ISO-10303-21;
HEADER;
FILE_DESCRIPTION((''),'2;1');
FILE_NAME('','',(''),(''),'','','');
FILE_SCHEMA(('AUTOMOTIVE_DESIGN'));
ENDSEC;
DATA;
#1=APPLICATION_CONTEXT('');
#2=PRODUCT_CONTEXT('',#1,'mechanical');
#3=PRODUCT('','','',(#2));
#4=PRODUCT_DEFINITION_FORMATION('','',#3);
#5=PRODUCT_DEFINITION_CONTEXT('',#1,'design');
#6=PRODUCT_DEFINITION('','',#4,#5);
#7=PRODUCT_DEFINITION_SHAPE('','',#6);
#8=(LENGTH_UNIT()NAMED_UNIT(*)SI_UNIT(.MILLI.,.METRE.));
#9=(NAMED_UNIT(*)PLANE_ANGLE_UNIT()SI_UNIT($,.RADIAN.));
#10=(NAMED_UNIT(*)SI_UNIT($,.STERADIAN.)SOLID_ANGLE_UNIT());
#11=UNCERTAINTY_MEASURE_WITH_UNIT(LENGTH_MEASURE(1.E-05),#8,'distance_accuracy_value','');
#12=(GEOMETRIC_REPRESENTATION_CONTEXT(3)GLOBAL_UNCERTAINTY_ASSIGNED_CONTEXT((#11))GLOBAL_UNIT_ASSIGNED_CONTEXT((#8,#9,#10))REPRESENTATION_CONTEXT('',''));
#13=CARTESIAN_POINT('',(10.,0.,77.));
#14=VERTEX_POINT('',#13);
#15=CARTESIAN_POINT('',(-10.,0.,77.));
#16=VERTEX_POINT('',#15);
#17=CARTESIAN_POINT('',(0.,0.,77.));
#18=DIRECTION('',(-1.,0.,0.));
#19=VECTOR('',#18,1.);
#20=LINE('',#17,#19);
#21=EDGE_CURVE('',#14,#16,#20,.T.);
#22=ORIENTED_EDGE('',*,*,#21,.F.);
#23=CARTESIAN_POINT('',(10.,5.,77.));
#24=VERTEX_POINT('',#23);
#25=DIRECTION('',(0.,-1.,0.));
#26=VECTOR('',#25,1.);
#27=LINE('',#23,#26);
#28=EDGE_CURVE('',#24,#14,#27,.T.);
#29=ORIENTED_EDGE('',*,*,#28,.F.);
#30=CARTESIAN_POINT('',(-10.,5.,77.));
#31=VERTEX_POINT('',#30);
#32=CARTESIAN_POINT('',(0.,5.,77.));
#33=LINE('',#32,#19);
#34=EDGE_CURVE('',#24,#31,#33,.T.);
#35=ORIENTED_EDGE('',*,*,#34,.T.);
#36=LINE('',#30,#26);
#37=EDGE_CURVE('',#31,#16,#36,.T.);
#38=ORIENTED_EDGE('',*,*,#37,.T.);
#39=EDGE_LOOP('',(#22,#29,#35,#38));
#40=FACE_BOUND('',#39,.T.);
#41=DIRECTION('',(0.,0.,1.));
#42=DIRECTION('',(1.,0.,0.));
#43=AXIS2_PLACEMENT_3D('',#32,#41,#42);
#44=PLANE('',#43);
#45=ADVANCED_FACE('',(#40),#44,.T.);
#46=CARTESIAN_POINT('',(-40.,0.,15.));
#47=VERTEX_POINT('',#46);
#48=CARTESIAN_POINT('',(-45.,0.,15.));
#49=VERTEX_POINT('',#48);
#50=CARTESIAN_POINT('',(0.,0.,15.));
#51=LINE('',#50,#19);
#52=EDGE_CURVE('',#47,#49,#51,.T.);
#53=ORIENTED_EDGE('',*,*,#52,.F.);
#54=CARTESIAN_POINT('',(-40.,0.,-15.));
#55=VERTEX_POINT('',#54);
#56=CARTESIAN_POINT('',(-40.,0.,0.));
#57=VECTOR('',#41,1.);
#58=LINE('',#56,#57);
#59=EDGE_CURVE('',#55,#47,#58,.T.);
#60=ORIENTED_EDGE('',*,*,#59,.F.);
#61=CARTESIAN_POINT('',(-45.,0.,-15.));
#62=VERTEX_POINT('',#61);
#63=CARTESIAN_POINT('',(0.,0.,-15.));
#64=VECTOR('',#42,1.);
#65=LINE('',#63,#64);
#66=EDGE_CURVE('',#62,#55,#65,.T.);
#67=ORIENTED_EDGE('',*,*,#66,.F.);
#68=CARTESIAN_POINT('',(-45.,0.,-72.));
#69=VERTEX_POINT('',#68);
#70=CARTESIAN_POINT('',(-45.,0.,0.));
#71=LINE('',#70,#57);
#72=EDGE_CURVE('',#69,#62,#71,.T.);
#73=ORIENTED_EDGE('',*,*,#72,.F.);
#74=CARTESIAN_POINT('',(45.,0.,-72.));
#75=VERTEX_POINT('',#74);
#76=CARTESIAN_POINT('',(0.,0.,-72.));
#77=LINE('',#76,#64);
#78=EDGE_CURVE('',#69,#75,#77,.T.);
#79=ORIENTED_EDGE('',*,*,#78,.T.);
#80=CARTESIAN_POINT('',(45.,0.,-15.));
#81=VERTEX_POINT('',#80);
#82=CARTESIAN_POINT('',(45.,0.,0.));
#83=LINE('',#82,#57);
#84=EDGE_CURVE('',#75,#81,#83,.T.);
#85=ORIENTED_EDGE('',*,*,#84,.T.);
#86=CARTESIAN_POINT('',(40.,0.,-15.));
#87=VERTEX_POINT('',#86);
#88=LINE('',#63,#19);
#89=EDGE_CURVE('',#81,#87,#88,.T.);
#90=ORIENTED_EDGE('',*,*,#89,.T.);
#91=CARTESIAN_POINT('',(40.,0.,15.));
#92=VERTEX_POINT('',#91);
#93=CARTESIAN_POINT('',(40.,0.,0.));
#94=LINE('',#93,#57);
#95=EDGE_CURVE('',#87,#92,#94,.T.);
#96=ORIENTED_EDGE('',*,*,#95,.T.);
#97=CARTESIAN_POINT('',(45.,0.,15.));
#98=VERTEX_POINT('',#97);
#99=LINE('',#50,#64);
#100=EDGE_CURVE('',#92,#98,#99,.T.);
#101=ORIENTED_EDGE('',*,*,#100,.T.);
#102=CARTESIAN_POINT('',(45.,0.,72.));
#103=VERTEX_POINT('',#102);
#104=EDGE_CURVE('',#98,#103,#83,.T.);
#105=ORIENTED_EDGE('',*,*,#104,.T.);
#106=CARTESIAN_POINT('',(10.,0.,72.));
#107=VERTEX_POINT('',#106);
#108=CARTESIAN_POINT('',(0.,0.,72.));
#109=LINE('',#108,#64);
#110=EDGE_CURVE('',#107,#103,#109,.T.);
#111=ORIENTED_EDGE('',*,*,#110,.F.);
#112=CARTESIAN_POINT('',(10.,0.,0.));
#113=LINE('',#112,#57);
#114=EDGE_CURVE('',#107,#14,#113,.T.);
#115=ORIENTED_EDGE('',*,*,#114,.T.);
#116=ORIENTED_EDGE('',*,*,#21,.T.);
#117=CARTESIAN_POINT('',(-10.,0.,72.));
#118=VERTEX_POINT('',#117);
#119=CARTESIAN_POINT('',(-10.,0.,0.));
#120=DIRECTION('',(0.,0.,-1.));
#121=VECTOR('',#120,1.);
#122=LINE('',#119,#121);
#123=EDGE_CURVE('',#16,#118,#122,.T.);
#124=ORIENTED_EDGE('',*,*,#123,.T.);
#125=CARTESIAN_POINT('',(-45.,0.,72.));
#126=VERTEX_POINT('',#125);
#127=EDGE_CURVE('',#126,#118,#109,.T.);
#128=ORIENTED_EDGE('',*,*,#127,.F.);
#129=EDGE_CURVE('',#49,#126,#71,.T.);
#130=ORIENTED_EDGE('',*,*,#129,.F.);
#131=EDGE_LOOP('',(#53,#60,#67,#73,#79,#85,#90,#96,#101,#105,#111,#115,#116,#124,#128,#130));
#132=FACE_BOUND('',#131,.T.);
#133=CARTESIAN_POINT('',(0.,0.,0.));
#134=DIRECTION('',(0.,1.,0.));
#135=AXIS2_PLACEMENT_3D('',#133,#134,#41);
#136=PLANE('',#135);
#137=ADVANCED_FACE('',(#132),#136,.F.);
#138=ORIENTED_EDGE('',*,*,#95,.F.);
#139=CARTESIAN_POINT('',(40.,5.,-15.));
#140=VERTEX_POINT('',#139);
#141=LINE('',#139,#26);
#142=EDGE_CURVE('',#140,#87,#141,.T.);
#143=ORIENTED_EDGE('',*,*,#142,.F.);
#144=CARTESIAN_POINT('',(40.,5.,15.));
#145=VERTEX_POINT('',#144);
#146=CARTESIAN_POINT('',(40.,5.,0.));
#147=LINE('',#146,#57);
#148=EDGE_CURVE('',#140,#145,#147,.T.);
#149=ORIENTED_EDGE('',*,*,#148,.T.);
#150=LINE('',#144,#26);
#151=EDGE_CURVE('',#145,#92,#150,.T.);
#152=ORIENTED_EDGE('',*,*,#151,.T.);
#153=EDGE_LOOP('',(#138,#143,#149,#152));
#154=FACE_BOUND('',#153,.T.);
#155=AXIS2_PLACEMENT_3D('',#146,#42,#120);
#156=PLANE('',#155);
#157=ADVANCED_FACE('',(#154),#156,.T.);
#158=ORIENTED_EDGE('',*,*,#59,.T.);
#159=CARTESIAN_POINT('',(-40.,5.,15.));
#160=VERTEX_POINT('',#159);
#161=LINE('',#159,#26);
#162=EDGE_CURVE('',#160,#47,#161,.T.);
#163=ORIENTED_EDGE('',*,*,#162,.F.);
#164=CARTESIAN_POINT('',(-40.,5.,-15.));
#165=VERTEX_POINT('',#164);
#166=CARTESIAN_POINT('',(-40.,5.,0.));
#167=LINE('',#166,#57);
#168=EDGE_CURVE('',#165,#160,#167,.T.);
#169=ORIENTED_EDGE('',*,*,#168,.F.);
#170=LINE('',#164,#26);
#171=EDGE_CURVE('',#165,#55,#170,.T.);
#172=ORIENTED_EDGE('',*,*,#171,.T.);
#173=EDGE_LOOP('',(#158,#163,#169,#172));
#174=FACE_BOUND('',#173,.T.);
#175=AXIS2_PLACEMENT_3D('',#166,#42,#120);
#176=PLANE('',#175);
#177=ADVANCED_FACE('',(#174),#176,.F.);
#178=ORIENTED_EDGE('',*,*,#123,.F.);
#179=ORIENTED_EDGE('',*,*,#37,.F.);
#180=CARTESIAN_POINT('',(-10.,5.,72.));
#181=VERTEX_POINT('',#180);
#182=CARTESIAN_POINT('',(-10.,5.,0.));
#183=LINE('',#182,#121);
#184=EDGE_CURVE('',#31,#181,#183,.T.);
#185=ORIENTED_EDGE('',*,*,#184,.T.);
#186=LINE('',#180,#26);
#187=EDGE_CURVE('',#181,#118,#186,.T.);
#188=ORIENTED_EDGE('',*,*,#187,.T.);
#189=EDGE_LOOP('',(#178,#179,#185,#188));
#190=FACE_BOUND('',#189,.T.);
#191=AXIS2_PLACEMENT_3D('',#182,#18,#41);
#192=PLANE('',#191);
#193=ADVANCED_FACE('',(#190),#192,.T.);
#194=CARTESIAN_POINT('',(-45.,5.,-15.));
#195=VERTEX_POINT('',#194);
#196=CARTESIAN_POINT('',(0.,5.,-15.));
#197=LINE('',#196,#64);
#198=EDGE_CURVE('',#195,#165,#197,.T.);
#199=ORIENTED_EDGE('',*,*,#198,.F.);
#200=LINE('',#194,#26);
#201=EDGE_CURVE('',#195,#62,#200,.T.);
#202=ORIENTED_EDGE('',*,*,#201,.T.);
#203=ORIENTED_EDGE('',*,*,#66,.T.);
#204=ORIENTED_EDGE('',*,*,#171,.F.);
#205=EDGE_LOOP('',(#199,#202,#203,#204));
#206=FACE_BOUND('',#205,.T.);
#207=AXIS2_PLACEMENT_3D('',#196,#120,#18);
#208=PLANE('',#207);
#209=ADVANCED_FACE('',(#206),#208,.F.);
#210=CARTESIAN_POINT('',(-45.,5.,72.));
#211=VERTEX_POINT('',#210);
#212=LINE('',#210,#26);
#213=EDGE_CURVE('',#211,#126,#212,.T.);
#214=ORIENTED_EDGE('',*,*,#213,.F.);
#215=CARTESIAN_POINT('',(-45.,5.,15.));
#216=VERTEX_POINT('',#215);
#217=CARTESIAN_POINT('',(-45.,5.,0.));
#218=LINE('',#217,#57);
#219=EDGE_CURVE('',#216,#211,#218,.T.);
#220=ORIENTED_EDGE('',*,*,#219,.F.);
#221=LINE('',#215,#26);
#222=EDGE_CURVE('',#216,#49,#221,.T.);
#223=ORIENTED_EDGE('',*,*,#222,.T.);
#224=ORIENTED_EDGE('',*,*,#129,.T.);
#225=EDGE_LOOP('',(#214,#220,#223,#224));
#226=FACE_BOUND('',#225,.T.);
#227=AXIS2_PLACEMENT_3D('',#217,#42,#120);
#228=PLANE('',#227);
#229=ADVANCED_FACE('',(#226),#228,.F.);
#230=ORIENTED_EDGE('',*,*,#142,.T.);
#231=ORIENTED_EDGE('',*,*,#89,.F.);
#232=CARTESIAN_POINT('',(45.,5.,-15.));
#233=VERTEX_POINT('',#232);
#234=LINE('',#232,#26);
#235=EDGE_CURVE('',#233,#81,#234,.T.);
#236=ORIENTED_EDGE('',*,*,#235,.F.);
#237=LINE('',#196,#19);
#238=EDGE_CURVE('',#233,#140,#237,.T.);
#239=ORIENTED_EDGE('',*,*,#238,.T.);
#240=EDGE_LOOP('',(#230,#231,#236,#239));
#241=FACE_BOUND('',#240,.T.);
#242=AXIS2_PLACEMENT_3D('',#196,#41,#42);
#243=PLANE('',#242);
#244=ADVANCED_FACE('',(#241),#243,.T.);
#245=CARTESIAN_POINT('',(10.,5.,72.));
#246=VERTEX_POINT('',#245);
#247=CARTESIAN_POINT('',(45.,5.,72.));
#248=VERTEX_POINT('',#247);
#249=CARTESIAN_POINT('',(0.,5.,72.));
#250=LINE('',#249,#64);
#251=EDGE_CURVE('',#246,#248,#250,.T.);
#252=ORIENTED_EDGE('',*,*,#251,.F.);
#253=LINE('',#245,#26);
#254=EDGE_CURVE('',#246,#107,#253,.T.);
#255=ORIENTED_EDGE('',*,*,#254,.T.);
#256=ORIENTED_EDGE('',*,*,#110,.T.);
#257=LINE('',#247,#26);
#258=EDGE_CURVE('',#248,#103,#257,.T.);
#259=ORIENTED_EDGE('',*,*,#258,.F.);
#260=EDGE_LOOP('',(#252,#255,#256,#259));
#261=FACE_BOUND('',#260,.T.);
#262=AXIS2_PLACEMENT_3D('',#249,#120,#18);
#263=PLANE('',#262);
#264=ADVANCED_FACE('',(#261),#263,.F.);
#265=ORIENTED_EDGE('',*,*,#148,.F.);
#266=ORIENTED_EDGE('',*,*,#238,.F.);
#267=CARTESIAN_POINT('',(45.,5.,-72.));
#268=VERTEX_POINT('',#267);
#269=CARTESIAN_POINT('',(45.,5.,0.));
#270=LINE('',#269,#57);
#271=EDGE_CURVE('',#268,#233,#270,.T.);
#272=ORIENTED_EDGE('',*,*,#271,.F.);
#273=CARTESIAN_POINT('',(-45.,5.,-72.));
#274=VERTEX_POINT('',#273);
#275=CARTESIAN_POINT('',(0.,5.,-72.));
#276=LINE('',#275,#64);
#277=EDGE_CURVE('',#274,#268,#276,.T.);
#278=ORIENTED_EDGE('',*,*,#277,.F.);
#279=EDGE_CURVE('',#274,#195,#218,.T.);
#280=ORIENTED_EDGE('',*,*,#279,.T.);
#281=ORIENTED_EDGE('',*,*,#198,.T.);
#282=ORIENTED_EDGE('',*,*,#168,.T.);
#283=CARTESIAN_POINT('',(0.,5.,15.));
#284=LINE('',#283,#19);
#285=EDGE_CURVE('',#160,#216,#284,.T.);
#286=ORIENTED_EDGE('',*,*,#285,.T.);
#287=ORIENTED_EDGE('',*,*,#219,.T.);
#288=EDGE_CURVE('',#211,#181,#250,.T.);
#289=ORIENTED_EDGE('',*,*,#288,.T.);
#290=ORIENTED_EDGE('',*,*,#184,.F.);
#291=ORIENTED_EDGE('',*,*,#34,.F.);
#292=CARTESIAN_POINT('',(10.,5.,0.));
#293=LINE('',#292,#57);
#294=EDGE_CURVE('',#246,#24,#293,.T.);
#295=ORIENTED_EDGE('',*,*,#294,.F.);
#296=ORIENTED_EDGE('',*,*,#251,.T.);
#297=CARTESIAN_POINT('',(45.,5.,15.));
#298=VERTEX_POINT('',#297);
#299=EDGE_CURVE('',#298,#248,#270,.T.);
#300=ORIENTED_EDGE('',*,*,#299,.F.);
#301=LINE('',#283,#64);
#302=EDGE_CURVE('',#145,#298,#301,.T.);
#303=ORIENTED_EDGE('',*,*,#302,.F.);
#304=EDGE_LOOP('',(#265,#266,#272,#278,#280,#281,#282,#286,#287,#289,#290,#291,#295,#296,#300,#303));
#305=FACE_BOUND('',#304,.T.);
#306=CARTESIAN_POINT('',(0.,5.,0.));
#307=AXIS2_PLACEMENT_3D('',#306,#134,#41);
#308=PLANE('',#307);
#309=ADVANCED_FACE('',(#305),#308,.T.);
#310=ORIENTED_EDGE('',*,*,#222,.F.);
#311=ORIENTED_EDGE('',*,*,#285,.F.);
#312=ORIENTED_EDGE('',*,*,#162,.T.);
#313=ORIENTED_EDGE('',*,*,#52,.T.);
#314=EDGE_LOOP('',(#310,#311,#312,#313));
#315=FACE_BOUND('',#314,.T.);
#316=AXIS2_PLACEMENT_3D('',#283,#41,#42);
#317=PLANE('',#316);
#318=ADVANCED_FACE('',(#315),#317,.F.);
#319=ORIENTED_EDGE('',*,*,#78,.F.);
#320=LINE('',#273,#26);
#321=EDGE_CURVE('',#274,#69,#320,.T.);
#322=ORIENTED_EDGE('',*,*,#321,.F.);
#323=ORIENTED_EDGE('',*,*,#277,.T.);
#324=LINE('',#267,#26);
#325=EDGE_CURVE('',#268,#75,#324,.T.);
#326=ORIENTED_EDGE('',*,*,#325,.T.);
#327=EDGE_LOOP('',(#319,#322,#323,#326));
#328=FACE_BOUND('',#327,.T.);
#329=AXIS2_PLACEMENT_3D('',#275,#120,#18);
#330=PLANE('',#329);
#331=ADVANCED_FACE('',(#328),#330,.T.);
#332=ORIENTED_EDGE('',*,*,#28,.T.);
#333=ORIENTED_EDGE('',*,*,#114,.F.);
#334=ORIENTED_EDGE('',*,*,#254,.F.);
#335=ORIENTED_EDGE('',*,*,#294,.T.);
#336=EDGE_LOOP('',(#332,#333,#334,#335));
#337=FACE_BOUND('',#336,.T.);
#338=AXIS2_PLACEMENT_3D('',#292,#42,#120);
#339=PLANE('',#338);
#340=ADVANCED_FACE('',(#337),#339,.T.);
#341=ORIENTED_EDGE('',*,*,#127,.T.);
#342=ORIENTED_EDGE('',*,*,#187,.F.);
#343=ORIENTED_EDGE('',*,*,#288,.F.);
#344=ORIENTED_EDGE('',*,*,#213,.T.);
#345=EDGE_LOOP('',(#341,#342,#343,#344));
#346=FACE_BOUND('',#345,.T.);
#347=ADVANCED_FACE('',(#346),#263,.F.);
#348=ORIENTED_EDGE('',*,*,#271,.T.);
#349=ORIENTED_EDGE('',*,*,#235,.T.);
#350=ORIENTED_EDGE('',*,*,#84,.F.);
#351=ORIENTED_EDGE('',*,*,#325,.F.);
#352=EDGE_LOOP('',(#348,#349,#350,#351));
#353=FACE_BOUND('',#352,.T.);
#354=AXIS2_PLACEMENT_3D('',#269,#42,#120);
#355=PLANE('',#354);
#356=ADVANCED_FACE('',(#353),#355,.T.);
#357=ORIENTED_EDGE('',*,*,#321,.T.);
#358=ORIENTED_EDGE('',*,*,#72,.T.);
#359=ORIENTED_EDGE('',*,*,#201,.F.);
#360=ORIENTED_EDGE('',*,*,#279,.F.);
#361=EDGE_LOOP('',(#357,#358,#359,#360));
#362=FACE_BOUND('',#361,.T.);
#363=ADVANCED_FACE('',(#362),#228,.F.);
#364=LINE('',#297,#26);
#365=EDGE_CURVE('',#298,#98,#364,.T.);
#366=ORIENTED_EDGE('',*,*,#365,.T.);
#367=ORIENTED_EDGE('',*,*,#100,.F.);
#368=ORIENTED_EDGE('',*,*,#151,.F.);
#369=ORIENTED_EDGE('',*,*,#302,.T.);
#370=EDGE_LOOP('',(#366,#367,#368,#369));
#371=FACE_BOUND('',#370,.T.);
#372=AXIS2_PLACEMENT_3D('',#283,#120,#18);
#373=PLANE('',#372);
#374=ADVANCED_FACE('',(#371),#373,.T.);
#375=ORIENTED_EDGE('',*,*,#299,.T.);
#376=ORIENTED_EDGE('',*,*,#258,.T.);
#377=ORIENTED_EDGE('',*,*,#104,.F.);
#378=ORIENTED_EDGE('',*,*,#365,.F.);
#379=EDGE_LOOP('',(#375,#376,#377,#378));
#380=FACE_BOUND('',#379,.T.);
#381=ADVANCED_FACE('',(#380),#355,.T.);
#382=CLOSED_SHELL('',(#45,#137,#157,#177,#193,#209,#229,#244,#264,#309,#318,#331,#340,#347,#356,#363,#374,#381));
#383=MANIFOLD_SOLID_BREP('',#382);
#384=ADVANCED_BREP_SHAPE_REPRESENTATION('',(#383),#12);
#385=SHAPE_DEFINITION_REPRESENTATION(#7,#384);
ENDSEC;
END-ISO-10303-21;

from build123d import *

# Parameters (mm, degrees)
BOSS_EXTRUDE1_DEPTH = 5


with BuildPart() as part:
    # Sketch1 → Boss-Extrude1 (new body)
    with BuildSketch(Plane(origin=(0, 0, 0), x_dir=(1, 0, 0), z_dir=(0, 1, 0))):
        Polygon((-45, 72), (45, 72), (45, 15), (40, 15), (40, -15), (45, -15), (45, -72), (10, -72), (10, -77), (-10, -77), (-10, -72), (-45, -72), (-45, -15), (-40, -15), (-40, 15), (-45, 15), align=None)
    extrude(amount=BOSS_EXTRUDE1_DEPTH)


solid = part.part
